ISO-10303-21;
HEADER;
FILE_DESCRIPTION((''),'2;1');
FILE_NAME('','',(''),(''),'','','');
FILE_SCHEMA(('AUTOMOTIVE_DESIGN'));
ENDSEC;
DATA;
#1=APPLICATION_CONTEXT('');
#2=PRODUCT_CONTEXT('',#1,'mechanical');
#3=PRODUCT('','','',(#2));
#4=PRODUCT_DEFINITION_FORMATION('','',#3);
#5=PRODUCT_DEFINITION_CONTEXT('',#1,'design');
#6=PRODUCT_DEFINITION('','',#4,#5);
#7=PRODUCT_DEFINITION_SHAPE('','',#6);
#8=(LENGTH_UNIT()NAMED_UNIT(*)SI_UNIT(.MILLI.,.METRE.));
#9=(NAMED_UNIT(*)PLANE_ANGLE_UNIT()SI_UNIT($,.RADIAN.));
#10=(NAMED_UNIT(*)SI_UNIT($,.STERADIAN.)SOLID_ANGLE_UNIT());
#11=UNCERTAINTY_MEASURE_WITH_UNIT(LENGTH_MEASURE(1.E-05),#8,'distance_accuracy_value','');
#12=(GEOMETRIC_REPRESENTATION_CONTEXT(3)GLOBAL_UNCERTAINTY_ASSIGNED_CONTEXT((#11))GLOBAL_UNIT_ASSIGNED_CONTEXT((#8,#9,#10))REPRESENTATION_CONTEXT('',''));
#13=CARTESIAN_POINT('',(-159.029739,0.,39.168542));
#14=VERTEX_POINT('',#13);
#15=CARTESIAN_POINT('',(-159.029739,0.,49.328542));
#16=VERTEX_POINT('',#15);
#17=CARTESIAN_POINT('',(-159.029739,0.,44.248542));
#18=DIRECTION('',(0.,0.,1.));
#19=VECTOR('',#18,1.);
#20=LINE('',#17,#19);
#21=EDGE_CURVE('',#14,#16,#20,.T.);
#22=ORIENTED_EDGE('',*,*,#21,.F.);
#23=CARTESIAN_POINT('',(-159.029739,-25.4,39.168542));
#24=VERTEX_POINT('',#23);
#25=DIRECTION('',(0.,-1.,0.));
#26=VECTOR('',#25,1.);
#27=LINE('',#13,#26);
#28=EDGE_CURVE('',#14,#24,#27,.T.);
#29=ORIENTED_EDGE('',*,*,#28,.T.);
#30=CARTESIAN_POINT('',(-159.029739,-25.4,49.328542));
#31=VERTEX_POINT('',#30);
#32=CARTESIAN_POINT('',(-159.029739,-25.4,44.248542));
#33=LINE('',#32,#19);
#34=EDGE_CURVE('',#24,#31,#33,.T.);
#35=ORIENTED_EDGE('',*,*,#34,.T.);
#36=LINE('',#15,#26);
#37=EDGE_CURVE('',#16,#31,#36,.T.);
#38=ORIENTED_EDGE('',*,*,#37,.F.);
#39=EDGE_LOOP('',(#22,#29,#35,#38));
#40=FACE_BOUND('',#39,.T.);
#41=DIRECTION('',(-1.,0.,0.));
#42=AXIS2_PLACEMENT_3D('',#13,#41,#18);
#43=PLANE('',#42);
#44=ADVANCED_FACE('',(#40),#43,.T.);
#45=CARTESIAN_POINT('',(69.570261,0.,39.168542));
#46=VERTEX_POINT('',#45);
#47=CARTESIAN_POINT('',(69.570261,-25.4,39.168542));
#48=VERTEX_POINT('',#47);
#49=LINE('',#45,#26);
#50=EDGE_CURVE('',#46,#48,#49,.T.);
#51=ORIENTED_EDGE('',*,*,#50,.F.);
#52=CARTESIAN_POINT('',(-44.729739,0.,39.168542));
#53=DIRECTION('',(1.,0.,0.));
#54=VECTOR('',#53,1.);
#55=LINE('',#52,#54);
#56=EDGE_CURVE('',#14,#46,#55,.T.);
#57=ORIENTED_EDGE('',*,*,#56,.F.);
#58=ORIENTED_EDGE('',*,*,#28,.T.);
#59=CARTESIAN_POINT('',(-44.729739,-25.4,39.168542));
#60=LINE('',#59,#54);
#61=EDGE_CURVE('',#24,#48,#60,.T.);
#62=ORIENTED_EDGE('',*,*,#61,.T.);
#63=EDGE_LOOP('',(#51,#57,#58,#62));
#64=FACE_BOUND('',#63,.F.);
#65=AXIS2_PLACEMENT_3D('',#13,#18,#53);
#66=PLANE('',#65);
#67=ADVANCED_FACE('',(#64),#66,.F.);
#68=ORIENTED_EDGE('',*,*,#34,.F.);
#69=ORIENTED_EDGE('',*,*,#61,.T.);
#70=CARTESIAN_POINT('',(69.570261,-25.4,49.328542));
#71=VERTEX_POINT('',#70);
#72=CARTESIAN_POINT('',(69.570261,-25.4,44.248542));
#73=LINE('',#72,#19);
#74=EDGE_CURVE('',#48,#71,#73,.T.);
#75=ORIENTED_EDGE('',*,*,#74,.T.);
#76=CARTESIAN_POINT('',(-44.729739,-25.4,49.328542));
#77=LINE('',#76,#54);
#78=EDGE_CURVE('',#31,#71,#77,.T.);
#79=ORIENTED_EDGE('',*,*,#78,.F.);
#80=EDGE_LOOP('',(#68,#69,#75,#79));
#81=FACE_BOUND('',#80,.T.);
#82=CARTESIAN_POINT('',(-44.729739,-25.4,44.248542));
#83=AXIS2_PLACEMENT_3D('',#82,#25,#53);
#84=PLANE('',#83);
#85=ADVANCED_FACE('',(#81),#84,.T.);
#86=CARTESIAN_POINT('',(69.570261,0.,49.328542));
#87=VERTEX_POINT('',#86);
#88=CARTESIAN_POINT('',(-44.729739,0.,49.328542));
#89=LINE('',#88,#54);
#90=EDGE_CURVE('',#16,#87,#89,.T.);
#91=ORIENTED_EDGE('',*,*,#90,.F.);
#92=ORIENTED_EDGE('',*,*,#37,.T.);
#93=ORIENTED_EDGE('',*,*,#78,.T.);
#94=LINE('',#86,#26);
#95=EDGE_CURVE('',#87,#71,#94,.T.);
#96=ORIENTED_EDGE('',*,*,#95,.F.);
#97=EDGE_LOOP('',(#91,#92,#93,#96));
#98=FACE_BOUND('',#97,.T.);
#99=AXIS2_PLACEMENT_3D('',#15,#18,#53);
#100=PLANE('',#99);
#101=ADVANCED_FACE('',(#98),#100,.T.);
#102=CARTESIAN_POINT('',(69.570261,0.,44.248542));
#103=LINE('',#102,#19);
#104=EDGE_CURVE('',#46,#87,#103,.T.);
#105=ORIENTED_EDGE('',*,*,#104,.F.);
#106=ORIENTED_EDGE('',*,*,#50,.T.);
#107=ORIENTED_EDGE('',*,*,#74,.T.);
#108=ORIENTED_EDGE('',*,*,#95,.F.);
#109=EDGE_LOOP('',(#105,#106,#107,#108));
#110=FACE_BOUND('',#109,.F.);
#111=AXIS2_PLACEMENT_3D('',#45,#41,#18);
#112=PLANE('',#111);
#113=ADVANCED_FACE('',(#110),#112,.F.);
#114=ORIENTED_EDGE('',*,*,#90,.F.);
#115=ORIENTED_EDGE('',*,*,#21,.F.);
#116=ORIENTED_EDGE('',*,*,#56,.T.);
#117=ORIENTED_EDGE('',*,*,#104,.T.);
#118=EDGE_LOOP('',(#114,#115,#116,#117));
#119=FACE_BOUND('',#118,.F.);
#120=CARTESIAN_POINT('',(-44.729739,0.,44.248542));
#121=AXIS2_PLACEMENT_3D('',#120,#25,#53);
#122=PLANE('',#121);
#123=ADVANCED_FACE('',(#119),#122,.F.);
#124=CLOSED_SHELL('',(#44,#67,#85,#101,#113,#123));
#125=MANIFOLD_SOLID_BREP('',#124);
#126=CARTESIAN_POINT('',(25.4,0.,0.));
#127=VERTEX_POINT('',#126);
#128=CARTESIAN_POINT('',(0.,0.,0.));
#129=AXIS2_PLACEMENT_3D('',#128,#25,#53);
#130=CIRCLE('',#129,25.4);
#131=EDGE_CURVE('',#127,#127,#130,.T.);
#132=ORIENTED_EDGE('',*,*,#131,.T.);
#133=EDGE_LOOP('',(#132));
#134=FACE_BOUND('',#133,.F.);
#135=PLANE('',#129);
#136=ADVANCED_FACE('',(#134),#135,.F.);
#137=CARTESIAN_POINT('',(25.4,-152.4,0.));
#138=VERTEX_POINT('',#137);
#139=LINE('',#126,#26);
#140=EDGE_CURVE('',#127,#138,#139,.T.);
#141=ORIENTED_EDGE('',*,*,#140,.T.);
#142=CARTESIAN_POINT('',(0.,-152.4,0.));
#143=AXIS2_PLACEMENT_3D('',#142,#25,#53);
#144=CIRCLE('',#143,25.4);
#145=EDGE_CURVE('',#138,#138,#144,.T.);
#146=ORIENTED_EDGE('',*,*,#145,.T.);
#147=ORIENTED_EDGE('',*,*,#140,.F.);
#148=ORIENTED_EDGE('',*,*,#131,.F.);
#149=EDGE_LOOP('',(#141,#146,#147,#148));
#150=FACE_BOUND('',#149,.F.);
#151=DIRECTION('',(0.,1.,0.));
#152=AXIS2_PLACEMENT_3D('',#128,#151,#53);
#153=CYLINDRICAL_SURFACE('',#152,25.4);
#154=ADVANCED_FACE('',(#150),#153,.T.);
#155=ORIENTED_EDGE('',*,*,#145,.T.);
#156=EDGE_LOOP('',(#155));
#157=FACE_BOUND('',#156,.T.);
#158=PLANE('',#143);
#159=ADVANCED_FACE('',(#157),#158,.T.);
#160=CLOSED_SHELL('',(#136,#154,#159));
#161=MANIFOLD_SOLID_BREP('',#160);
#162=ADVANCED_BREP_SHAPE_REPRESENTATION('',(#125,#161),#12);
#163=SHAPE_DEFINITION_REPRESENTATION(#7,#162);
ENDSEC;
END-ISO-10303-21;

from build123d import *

# Parameters (mm, degrees)
F0_R     = 25.4
F1_DEPTH = 152.4
F2_W     = 228.6
F2_H     = 10.16
F3_DEPTH = 25.4


with BuildPart() as f1:
    # F0 (on Front) → F1 (new body)
    with BuildSketch(Plane.XZ):
        Circle(F0_R)
    extrude(amount=F1_DEPTH)


with BuildPart() as f3:
    # F2 (on Front) → F3 (new body)
    with BuildSketch(Plane.XZ):
        with Locations((-44.729739, 44.248542)):
            Rectangle(F2_W, F2_H)
    extrude(amount=F3_DEPTH)


solid = Compound([f1.part, f3.part])
